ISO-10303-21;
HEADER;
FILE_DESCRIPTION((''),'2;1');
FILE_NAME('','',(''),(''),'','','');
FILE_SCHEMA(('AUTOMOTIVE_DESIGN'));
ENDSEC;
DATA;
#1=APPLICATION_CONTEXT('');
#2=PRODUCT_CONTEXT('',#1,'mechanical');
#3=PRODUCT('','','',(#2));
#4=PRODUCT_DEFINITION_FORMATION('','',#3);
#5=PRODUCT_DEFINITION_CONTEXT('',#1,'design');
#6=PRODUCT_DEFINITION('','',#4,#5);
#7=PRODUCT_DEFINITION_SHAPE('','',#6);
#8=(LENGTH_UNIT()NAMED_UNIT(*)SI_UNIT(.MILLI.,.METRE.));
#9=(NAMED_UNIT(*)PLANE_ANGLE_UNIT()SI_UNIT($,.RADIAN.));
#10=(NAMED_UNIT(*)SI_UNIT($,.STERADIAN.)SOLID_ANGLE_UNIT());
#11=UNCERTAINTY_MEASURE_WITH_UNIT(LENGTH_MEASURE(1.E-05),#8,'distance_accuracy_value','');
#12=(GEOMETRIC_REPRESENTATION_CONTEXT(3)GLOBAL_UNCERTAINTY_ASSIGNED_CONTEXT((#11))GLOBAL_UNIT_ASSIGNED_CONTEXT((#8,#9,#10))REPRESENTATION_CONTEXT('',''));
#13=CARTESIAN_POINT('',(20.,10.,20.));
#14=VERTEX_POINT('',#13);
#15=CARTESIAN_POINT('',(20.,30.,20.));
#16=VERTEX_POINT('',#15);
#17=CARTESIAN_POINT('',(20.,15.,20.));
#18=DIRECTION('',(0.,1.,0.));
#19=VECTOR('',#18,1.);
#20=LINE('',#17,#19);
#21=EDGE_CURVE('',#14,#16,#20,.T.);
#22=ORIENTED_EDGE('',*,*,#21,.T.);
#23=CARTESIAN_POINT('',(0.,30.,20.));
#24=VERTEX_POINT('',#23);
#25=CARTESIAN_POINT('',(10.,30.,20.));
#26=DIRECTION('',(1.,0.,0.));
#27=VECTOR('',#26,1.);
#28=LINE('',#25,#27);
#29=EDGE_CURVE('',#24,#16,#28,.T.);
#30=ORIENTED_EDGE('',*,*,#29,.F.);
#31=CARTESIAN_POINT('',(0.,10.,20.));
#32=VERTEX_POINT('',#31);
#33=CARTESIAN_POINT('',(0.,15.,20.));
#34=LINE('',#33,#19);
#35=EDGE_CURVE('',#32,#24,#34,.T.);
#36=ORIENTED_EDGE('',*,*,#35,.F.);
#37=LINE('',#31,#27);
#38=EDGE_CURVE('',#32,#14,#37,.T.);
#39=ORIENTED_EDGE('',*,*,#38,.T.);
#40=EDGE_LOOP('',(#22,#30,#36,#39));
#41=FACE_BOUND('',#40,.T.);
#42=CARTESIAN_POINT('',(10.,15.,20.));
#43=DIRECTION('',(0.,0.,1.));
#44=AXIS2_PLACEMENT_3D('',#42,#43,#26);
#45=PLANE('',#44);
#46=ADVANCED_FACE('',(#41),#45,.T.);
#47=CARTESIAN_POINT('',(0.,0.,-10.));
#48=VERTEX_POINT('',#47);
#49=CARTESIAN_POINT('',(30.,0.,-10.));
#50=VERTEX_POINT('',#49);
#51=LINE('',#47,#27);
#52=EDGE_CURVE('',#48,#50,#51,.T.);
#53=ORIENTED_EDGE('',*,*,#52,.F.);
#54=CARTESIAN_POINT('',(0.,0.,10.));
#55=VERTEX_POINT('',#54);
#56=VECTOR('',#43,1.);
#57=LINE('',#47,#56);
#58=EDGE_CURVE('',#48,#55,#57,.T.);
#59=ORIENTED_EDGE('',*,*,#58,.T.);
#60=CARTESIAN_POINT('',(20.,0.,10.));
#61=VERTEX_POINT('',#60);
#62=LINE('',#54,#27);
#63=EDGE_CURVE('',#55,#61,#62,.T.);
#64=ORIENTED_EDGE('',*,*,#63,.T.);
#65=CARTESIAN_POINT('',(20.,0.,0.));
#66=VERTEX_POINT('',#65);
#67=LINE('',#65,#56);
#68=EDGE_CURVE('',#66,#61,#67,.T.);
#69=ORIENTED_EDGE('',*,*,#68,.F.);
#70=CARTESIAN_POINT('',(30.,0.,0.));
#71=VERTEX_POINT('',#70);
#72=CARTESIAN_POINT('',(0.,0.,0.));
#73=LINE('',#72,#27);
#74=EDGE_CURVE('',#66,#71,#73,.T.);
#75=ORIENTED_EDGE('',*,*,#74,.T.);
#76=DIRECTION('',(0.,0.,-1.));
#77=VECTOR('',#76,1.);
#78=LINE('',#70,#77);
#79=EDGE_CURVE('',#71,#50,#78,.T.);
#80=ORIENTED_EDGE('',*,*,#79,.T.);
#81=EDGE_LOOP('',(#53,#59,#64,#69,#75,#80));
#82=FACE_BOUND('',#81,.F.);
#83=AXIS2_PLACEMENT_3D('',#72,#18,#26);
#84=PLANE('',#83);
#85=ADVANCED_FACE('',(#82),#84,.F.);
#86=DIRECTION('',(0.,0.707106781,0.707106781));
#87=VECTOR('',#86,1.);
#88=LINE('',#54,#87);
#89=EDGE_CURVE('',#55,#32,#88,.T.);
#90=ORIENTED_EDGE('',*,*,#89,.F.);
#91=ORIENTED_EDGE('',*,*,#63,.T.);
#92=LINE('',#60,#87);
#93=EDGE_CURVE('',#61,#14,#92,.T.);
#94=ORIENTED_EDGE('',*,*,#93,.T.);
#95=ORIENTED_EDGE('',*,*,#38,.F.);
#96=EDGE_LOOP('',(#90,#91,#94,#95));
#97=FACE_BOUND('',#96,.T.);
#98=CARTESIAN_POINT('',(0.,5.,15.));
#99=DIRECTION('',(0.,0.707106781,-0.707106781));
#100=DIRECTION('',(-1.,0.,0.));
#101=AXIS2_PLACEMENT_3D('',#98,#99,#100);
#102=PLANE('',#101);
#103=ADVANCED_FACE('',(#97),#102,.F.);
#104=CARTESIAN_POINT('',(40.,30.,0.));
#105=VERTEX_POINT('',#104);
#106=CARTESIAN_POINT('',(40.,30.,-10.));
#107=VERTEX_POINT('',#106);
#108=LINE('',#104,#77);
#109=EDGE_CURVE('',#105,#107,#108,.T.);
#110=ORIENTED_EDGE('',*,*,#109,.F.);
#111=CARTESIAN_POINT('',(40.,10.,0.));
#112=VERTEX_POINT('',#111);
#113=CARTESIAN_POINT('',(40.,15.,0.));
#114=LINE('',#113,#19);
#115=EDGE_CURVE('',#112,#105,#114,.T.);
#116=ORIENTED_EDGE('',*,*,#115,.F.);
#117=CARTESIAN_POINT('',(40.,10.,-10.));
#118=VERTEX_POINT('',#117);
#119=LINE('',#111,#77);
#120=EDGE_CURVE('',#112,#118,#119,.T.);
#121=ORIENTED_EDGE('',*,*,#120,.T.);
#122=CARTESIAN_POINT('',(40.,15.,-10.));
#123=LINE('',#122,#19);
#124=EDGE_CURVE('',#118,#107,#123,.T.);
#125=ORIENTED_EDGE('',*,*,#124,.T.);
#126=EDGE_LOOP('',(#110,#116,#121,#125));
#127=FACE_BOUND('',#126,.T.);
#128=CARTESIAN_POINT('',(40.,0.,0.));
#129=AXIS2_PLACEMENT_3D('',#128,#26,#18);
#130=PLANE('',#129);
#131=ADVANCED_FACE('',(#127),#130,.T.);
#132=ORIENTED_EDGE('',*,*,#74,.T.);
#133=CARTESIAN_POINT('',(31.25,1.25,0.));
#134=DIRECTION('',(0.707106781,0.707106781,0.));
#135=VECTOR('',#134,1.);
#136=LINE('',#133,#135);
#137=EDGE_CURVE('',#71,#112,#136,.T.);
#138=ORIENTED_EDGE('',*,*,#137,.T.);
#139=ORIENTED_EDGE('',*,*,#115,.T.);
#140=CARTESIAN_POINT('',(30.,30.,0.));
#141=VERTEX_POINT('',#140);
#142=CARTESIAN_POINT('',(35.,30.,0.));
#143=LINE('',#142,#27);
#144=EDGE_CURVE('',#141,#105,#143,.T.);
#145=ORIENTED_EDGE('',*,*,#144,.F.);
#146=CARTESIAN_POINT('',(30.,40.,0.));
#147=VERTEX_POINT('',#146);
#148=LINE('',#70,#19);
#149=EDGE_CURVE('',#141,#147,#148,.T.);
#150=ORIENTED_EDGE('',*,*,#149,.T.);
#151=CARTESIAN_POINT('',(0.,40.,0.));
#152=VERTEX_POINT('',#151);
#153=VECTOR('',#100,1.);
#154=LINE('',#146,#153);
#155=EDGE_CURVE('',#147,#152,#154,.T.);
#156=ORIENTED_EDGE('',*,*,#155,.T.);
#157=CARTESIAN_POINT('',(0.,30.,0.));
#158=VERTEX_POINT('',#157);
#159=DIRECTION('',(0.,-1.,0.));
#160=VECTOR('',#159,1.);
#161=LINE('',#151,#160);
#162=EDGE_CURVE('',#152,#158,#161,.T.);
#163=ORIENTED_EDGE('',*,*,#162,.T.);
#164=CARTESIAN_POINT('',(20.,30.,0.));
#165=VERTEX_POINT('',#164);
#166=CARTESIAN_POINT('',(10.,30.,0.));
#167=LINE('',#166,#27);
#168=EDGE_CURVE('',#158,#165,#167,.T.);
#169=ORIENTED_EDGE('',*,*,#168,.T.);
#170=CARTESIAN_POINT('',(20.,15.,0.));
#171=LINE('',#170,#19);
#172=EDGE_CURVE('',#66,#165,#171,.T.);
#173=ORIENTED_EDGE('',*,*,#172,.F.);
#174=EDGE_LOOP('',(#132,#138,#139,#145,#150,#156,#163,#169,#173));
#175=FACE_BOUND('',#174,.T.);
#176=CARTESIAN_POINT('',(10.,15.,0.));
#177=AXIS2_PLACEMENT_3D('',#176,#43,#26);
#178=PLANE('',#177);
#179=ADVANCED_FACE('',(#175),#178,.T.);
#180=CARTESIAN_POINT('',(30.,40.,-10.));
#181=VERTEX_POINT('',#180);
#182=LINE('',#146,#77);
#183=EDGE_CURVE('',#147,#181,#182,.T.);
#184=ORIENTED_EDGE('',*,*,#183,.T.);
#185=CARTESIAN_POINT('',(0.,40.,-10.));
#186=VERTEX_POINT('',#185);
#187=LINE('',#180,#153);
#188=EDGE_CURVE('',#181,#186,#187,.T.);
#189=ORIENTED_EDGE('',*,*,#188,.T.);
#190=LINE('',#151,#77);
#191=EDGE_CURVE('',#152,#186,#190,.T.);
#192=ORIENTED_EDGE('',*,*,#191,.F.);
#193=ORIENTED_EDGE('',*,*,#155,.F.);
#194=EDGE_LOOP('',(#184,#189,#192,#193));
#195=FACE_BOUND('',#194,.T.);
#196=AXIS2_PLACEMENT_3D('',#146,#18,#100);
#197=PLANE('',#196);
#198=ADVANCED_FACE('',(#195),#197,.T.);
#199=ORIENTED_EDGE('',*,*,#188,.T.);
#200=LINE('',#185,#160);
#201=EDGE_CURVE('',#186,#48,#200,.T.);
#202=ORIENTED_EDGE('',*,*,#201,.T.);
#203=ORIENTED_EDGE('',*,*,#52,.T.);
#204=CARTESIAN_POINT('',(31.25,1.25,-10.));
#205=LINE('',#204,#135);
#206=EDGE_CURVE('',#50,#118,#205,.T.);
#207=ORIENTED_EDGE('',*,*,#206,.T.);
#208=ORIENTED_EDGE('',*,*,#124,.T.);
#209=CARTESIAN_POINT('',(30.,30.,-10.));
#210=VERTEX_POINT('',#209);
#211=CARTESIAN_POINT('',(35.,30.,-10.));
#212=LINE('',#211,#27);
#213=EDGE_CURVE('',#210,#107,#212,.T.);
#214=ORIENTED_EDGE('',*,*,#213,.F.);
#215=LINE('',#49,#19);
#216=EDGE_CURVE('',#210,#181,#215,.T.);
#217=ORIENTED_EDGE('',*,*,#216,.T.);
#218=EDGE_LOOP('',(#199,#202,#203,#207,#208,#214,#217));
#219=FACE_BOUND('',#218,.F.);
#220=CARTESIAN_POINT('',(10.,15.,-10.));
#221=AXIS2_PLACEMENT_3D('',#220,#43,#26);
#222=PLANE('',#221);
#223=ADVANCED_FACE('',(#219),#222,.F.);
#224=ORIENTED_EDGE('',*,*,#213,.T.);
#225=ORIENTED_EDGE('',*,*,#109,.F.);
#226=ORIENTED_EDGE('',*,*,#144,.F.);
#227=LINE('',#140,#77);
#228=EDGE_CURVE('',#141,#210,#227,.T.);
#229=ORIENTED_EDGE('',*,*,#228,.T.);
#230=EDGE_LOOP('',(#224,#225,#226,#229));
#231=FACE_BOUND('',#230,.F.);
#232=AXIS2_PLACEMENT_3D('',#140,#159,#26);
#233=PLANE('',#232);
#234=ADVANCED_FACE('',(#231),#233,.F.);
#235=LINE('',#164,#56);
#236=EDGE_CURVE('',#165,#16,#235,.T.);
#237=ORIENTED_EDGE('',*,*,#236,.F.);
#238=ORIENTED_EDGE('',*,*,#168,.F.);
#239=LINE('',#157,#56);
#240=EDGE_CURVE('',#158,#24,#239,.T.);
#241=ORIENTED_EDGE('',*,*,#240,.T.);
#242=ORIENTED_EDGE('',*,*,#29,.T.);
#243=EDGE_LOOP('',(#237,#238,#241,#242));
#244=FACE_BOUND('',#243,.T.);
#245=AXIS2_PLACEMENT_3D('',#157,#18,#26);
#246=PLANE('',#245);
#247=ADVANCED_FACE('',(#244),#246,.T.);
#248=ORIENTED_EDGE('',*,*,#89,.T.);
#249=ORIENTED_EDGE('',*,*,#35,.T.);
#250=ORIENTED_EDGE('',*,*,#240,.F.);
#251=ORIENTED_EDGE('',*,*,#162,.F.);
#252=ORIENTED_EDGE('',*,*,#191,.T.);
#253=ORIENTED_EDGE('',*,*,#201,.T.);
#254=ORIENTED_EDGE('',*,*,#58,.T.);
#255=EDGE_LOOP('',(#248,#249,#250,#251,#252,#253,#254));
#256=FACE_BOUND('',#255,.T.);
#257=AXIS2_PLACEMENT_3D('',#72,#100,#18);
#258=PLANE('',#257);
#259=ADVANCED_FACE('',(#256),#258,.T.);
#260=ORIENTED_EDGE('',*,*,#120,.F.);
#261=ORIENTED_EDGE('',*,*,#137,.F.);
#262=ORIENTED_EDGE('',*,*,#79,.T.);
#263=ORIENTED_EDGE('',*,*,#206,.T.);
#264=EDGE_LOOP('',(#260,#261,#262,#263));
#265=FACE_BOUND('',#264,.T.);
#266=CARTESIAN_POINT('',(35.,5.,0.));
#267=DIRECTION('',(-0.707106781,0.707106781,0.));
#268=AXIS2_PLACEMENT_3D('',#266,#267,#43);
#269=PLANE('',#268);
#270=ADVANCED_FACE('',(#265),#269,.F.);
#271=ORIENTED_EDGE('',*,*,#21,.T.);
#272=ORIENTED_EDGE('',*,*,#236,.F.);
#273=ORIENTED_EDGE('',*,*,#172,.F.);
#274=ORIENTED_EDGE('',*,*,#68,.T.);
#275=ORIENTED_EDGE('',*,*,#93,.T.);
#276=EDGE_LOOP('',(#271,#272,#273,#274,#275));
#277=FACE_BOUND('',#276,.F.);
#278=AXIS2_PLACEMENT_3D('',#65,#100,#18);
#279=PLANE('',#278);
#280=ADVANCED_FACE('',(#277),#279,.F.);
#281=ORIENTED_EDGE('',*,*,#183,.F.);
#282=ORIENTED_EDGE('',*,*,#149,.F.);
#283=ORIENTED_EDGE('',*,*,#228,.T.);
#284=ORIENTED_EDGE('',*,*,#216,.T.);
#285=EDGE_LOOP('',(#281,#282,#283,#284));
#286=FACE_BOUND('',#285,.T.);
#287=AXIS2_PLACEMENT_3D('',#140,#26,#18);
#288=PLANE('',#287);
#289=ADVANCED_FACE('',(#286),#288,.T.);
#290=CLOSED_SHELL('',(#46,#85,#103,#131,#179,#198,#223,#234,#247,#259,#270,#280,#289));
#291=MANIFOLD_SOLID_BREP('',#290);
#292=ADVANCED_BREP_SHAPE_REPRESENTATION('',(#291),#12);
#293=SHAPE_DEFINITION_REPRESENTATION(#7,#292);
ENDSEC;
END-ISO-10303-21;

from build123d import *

# Parameters (mm, degrees)
F0_W     = 20
F0_H     = 30
F0_W_2   = 10
F1_DEPTH = 10
F2_DEPTH = 20
F3_SIZE2 = 10
F3_SIZE  = 10
F4_SIZE2 = 10
F4_SIZE  = 10


with BuildPart() as f1:
    # F0 (on Top) → F1 (new body)
    with BuildSketch(Plane.XY):
        with Locations((10, 15)):
            Rectangle(F0_W, F0_H)
        Polygon((20, 30), (20, 0), (30, 0), (30, 30), (30, 40), (0, 40), (0, 30), align=None)
        with Locations((35, 15)):
            Rectangle(F0_W_2, F0_H)
    extrude(amount=-F1_DEPTH)

    # F0 (on Top) → F2 (join)
    with BuildSketch(Plane.XY):
        with Locations((10, 15)):
            Rectangle(F0_W, F0_H)
    extrude(amount=F2_DEPTH)

    # F3
    f3_edges = [f1.edges().sort_by_distance(p)[0] for p in [
        (10, 0, 20),
    ]]
    chamfer(f3_edges, length=F3_SIZE, length2=F3_SIZE2)

    # F4
    f4_edges = [f1.edges().sort_by_distance(p)[0] for p in [
        (40, 0, -5),
    ]]
    chamfer(f4_edges, length=F4_SIZE, length2=F4_SIZE2)


solid = f1.part
